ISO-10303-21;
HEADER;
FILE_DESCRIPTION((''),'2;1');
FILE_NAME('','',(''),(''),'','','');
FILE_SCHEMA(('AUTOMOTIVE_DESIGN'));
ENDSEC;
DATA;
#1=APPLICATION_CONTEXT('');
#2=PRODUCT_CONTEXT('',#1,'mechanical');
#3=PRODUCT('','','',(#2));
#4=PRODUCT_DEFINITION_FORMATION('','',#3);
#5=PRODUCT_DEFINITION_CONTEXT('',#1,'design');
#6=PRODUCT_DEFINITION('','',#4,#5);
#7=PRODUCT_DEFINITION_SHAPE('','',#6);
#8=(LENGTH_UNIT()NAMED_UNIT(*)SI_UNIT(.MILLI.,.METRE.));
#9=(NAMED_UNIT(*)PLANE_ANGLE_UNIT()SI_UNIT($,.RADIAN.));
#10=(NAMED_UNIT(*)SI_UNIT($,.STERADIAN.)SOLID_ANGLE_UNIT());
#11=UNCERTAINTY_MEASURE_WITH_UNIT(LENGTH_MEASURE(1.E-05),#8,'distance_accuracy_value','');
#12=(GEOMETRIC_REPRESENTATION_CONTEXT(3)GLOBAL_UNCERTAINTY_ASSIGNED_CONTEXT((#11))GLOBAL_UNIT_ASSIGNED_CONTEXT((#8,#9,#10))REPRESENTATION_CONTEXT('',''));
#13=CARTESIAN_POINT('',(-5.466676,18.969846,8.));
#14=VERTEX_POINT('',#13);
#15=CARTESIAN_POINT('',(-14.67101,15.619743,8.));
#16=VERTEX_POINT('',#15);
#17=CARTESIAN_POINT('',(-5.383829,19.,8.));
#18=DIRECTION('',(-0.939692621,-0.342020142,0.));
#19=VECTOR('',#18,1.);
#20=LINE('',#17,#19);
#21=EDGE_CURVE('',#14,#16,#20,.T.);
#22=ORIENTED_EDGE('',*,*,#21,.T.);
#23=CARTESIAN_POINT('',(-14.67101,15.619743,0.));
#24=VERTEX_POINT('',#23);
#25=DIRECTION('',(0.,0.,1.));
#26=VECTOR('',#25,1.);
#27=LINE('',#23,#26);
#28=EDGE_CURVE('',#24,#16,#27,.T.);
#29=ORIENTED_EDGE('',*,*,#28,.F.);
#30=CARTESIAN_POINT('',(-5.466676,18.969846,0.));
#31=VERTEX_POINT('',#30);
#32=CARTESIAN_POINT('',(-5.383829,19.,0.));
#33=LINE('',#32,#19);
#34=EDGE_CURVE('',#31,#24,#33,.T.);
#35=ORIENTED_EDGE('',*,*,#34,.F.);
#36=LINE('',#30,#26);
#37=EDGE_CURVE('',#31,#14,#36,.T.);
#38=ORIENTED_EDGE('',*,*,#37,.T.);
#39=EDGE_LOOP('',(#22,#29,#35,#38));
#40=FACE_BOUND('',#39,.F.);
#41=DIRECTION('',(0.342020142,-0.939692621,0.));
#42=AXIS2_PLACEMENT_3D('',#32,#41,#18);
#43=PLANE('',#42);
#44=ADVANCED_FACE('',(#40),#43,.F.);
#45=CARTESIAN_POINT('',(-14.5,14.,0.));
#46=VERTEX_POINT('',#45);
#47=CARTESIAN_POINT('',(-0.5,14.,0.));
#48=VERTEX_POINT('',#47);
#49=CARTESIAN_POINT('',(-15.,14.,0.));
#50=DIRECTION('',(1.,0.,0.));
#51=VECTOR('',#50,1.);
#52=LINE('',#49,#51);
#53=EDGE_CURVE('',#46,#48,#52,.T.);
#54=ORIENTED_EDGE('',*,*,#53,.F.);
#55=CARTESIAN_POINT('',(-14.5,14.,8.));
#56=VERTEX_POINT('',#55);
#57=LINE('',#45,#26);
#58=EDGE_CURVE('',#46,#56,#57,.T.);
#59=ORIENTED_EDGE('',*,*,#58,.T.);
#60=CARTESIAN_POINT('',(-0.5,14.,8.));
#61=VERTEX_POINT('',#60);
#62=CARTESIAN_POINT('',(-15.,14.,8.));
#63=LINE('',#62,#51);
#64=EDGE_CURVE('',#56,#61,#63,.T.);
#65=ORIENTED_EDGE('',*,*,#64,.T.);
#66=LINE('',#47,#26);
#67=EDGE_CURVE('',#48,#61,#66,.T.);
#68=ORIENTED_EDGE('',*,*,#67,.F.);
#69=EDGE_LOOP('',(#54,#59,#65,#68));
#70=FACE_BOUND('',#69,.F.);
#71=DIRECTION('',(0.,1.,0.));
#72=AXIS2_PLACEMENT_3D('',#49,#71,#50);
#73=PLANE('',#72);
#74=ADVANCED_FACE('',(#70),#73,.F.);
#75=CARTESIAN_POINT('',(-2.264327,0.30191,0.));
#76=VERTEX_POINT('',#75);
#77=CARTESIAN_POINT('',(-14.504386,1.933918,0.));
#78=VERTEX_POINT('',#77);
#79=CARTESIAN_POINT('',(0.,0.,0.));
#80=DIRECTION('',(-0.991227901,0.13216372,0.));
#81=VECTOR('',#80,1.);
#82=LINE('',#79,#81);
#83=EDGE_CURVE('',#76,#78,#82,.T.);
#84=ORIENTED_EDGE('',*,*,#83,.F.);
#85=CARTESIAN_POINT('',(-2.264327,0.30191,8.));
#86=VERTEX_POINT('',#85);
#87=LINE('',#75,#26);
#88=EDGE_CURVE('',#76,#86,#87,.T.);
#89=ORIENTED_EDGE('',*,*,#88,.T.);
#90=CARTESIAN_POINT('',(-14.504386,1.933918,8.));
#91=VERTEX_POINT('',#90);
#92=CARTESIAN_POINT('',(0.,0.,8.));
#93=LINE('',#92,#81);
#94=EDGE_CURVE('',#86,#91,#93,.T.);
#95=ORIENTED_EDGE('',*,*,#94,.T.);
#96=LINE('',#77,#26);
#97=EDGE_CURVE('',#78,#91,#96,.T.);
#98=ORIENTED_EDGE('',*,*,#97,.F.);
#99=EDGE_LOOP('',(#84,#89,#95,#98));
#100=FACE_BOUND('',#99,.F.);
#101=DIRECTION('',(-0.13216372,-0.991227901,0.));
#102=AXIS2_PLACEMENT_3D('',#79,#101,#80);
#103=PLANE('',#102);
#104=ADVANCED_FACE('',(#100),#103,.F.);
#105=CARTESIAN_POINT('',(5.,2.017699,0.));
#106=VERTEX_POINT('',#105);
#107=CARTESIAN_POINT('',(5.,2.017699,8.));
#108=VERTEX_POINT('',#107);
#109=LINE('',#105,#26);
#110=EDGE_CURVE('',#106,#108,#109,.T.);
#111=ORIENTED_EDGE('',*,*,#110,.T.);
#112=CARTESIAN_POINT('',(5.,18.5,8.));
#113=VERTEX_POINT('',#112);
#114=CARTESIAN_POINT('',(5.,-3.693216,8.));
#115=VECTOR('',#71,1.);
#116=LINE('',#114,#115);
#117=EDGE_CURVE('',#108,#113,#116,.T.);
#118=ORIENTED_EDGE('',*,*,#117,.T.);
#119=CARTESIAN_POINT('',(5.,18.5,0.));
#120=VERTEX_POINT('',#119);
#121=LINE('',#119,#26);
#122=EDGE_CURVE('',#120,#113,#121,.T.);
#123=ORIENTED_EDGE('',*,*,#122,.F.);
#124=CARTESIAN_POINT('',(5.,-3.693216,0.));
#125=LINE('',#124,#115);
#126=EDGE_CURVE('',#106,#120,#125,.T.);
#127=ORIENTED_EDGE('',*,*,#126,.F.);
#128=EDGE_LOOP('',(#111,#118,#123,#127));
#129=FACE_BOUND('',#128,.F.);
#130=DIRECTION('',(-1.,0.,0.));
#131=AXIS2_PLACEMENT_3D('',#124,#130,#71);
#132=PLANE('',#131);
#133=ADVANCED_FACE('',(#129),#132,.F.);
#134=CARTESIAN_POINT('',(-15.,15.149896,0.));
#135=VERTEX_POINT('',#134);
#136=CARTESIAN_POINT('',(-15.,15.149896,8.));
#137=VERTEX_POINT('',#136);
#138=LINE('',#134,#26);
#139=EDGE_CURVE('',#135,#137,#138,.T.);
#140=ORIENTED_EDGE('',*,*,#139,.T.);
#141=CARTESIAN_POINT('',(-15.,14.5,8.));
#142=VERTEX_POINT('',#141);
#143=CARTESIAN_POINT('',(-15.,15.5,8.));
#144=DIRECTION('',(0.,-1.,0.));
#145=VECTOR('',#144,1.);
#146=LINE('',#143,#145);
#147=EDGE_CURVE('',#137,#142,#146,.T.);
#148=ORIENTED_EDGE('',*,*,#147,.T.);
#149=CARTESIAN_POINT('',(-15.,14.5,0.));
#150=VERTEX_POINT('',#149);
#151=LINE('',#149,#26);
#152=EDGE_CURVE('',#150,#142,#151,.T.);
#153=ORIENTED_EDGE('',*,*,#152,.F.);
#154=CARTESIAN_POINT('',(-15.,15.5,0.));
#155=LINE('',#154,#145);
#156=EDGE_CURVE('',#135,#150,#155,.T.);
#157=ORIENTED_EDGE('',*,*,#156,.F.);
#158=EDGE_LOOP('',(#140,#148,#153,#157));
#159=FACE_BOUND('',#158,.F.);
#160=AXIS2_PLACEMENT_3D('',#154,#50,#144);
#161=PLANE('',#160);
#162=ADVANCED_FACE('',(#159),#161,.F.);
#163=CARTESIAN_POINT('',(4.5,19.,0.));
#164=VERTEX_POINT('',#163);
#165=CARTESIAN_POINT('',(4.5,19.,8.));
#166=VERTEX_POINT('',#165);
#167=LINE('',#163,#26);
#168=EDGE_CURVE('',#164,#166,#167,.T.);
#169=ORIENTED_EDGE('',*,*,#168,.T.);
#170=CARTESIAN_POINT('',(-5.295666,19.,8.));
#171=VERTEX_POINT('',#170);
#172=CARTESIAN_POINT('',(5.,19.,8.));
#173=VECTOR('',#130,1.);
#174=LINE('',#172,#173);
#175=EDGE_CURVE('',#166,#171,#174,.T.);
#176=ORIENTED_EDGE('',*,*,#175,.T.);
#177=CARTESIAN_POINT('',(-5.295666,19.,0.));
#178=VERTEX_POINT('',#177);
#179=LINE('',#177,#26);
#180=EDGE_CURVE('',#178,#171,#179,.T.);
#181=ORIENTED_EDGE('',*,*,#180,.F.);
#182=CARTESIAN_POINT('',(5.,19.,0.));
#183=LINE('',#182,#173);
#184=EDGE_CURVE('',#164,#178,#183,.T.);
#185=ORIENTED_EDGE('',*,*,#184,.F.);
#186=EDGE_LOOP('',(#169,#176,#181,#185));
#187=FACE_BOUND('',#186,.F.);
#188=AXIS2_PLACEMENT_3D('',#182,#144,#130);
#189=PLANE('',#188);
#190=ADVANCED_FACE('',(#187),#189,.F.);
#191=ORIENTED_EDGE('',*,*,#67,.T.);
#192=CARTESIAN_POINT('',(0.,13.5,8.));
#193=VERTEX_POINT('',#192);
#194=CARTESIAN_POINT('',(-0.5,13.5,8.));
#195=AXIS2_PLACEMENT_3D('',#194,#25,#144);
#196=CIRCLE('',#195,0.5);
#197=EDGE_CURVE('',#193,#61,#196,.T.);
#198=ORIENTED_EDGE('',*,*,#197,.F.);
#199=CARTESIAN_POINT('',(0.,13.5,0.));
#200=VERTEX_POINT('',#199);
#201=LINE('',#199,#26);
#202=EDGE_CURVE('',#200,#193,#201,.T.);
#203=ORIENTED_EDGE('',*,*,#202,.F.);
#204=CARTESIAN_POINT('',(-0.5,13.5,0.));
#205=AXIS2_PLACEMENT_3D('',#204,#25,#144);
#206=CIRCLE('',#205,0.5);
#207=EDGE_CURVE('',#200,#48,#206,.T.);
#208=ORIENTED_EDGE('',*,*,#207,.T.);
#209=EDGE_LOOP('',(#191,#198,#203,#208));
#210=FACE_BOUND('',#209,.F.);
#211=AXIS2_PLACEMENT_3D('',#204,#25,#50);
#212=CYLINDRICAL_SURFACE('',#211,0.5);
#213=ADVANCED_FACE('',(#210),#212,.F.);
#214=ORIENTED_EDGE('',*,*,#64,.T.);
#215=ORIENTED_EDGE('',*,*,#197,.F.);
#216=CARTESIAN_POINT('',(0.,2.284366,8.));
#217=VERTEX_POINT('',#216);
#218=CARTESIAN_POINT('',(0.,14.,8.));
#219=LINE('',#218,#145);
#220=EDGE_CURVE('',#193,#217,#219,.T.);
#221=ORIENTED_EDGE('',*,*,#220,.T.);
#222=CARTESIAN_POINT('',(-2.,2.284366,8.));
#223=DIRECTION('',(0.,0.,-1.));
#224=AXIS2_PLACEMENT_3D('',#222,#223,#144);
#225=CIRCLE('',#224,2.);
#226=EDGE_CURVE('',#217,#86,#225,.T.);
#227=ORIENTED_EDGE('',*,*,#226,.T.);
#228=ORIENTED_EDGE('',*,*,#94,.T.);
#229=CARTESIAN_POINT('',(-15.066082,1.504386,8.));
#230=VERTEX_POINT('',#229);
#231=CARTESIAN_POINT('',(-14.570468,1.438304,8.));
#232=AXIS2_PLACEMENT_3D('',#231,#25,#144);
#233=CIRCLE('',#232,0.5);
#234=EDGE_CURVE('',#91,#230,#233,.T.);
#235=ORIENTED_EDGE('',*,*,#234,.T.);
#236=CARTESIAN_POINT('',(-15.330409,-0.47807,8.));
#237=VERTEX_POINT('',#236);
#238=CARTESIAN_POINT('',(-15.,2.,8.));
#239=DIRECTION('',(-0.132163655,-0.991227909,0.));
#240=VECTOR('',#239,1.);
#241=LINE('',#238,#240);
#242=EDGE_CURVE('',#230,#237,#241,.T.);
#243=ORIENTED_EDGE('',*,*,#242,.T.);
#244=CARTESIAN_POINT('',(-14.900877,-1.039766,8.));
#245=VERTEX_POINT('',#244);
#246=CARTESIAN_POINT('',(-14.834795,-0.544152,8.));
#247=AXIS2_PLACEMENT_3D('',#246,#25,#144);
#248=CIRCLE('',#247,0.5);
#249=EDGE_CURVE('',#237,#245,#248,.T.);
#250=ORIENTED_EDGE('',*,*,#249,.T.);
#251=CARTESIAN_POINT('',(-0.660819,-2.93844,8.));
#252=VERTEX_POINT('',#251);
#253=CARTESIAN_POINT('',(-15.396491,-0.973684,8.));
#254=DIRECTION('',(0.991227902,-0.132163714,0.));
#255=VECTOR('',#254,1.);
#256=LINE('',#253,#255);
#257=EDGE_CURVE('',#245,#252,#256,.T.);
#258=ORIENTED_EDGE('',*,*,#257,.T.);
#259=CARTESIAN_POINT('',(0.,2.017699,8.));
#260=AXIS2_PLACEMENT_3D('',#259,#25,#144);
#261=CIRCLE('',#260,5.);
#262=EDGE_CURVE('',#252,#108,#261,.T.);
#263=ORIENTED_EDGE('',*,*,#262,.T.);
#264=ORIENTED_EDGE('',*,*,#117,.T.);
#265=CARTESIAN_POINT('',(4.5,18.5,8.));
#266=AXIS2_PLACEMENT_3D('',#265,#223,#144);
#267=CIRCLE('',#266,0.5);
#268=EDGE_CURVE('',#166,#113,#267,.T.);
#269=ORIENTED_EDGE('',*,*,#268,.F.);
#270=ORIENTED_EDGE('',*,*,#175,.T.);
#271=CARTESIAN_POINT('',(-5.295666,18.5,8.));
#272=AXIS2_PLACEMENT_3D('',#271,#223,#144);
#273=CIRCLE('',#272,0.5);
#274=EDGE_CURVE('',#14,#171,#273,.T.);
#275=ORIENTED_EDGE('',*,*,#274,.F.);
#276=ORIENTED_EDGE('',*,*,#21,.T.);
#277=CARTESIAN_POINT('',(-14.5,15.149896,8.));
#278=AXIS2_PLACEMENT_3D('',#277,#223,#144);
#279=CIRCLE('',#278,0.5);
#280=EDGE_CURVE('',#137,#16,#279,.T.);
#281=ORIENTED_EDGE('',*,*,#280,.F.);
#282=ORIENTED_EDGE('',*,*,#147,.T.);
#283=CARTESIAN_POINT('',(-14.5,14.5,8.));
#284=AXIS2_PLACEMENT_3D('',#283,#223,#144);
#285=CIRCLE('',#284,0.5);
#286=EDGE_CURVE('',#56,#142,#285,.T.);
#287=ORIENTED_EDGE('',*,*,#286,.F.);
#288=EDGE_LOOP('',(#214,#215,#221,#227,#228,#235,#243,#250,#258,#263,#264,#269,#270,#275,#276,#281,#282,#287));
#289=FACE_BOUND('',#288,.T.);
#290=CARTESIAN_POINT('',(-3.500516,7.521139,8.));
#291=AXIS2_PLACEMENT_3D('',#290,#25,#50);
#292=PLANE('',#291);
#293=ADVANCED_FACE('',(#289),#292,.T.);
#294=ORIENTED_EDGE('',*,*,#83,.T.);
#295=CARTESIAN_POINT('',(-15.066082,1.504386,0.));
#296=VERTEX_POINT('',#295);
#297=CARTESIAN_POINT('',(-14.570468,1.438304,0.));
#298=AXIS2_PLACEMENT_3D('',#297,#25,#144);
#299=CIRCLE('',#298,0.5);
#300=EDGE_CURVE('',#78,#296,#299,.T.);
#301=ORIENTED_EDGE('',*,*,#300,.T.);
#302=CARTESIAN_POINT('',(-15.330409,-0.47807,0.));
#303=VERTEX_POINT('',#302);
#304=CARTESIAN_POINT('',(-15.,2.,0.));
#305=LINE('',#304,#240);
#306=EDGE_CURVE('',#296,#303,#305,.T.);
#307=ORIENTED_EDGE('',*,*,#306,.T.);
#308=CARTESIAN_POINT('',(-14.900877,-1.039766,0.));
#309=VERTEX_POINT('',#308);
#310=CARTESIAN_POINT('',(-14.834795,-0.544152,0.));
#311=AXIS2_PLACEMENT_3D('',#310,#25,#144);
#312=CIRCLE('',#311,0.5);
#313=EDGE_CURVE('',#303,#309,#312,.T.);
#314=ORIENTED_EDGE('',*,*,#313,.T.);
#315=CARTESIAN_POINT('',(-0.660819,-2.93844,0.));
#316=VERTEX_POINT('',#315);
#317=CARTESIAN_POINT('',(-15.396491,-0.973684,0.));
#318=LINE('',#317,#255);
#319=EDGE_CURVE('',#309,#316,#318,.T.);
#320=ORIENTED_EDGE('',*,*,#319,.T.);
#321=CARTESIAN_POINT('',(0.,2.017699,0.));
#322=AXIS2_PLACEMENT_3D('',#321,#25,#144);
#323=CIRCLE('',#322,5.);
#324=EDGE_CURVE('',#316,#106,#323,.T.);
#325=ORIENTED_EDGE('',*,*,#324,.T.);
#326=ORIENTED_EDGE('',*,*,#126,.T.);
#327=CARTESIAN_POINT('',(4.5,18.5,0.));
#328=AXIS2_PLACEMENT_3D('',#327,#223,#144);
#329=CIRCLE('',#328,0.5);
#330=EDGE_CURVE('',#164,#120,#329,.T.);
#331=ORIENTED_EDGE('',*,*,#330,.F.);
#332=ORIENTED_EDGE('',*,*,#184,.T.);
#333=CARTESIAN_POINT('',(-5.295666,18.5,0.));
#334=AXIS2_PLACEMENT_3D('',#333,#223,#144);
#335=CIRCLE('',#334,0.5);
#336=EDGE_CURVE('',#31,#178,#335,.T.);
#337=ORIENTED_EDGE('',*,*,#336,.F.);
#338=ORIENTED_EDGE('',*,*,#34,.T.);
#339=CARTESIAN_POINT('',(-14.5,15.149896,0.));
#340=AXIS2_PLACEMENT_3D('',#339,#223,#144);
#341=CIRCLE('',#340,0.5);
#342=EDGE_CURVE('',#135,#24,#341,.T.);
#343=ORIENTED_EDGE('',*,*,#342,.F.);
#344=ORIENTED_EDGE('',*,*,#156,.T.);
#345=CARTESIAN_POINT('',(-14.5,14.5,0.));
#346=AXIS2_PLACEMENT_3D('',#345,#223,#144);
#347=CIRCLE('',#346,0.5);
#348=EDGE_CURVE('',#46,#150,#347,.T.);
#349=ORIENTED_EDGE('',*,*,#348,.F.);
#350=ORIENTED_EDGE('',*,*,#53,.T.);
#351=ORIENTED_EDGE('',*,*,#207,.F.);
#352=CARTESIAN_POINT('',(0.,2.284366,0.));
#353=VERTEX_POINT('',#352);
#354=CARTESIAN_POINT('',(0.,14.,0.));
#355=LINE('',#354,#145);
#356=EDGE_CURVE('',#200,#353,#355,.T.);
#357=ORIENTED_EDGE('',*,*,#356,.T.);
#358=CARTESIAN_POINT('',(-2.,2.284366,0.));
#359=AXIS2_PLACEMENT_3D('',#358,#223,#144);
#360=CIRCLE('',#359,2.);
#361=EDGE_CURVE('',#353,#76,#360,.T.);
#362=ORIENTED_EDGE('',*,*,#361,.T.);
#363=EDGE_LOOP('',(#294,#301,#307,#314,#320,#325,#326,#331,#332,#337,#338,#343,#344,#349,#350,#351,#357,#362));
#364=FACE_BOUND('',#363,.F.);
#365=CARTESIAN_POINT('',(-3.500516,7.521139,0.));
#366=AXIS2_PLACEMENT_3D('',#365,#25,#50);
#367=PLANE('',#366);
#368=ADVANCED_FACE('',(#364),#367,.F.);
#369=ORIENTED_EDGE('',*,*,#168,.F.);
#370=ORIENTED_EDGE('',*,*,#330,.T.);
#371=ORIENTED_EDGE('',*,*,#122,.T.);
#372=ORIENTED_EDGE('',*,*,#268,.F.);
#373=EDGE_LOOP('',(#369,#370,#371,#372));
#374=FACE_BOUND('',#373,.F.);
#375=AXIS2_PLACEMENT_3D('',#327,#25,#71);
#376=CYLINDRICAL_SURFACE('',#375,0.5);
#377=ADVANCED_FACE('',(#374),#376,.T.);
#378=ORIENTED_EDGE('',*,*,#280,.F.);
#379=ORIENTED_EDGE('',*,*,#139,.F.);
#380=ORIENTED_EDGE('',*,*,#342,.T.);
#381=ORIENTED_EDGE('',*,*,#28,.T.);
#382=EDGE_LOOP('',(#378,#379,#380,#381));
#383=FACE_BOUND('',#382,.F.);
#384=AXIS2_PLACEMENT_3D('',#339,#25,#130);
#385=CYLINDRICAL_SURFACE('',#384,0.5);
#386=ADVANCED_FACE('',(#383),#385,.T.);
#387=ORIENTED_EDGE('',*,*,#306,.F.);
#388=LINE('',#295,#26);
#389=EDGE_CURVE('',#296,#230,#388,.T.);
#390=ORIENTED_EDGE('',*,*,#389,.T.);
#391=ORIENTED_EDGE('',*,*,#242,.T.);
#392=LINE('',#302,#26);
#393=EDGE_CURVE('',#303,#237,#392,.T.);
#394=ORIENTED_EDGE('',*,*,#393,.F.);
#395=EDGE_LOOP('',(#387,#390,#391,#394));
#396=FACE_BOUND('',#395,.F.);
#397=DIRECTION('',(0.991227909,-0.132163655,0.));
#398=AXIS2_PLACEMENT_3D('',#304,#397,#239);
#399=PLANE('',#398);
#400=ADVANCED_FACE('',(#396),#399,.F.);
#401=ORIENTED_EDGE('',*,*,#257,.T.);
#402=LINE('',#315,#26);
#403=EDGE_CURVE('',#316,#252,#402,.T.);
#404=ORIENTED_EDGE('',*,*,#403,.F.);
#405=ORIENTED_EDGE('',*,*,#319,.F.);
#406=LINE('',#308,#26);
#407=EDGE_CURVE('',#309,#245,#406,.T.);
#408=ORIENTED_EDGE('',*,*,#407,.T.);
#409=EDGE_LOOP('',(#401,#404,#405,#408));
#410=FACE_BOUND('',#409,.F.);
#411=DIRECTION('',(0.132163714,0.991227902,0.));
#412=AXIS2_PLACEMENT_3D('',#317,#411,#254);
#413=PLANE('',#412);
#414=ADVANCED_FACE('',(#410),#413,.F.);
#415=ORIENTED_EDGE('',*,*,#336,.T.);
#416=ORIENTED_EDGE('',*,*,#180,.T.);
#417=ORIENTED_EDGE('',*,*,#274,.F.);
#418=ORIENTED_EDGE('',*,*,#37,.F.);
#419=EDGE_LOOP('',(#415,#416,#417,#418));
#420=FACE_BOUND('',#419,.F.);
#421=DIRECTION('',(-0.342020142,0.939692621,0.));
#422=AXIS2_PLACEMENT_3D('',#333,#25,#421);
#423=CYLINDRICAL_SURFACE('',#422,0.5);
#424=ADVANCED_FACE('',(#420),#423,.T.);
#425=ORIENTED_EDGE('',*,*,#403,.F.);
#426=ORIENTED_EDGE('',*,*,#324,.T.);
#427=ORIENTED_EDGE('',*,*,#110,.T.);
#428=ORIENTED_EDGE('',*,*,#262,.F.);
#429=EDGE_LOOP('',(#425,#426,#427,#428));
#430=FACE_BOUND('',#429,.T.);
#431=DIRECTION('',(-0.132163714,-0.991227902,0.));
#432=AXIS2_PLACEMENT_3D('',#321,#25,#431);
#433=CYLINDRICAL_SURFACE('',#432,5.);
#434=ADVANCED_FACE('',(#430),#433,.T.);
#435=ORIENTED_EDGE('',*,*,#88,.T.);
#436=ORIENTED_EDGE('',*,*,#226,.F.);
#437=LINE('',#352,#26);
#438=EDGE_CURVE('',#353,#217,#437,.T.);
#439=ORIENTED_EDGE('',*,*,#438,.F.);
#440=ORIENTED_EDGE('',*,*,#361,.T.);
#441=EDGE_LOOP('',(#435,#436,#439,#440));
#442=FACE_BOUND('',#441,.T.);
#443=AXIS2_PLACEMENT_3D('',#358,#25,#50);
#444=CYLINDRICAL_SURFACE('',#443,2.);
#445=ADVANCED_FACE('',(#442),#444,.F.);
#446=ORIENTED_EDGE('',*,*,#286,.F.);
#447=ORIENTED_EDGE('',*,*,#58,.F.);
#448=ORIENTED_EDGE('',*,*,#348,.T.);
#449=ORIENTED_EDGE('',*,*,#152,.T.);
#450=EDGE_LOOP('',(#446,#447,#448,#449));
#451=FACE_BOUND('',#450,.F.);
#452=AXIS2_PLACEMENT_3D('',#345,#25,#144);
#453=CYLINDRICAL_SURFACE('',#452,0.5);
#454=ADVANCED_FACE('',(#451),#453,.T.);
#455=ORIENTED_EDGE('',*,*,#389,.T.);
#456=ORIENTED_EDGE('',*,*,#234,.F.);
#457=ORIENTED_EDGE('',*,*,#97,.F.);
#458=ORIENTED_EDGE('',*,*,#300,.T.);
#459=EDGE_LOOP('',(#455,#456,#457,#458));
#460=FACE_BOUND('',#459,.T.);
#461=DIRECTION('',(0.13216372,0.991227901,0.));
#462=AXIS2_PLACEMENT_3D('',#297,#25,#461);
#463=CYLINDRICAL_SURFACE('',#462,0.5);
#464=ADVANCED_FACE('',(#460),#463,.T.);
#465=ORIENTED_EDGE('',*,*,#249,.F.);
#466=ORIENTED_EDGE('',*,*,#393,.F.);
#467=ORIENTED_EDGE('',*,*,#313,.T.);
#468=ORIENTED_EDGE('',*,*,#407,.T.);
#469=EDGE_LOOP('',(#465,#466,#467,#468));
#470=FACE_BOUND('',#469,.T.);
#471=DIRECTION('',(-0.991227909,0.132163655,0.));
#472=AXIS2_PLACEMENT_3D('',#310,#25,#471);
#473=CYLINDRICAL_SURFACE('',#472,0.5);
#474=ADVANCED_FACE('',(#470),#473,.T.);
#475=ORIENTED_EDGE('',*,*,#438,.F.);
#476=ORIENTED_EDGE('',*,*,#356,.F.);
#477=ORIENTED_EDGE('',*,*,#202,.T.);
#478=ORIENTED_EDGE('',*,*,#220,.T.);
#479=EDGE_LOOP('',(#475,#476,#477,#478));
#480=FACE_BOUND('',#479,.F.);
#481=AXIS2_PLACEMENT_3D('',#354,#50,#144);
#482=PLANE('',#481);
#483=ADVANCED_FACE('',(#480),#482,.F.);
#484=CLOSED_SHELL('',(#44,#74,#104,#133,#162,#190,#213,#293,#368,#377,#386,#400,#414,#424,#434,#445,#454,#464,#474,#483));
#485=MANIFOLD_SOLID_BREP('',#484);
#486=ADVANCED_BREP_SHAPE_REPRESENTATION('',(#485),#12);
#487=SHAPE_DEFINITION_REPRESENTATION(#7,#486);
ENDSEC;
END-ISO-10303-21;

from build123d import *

# Parameters (mm, degrees)
F1_DEPTH = 8
F2_R     = 2
F3_R     = 0.5
F4_R     = 5


with BuildPart() as f1:
    # F0 (on Top) → F1 (new body)
    with BuildSketch(Plane.XY):
        Polygon((0, 14), (0, 0), (-15, 2), (-15.396491, -0.973684), (5, -3.693216), (5, 19), (-5.383829, 19), (-15, 15.5), (-15, 14), align=None)
    extrude(amount=F1_DEPTH)

    # F2
    f2_edges = [f1.edges().sort_by_distance(p)[0] for p in [
        (0, 0, 4),
    ]]
    fillet(f2_edges, radius=F2_R)

    # F3
    f3_edges = [f1.edges().sort_by_distance(p)[0] for p in [
        (-15, 14, 4),
        (-15, 2, 4),
        (-15.396491, -0.973684, 4),
        (-15, 15.5, 4),
        (-5.383829, 19, 4),
        (0, 14, 4),
        (5, 19, 4),
    ]]
    fillet(f3_edges, radius=F3_R)

    # F4
    f4_edges = [f1.edges().sort_by_distance(p)[0] for p in [
        (5, -3.693216, 4),
    ]]
    fillet(f4_edges, radius=F4_R)


solid = f1.part
